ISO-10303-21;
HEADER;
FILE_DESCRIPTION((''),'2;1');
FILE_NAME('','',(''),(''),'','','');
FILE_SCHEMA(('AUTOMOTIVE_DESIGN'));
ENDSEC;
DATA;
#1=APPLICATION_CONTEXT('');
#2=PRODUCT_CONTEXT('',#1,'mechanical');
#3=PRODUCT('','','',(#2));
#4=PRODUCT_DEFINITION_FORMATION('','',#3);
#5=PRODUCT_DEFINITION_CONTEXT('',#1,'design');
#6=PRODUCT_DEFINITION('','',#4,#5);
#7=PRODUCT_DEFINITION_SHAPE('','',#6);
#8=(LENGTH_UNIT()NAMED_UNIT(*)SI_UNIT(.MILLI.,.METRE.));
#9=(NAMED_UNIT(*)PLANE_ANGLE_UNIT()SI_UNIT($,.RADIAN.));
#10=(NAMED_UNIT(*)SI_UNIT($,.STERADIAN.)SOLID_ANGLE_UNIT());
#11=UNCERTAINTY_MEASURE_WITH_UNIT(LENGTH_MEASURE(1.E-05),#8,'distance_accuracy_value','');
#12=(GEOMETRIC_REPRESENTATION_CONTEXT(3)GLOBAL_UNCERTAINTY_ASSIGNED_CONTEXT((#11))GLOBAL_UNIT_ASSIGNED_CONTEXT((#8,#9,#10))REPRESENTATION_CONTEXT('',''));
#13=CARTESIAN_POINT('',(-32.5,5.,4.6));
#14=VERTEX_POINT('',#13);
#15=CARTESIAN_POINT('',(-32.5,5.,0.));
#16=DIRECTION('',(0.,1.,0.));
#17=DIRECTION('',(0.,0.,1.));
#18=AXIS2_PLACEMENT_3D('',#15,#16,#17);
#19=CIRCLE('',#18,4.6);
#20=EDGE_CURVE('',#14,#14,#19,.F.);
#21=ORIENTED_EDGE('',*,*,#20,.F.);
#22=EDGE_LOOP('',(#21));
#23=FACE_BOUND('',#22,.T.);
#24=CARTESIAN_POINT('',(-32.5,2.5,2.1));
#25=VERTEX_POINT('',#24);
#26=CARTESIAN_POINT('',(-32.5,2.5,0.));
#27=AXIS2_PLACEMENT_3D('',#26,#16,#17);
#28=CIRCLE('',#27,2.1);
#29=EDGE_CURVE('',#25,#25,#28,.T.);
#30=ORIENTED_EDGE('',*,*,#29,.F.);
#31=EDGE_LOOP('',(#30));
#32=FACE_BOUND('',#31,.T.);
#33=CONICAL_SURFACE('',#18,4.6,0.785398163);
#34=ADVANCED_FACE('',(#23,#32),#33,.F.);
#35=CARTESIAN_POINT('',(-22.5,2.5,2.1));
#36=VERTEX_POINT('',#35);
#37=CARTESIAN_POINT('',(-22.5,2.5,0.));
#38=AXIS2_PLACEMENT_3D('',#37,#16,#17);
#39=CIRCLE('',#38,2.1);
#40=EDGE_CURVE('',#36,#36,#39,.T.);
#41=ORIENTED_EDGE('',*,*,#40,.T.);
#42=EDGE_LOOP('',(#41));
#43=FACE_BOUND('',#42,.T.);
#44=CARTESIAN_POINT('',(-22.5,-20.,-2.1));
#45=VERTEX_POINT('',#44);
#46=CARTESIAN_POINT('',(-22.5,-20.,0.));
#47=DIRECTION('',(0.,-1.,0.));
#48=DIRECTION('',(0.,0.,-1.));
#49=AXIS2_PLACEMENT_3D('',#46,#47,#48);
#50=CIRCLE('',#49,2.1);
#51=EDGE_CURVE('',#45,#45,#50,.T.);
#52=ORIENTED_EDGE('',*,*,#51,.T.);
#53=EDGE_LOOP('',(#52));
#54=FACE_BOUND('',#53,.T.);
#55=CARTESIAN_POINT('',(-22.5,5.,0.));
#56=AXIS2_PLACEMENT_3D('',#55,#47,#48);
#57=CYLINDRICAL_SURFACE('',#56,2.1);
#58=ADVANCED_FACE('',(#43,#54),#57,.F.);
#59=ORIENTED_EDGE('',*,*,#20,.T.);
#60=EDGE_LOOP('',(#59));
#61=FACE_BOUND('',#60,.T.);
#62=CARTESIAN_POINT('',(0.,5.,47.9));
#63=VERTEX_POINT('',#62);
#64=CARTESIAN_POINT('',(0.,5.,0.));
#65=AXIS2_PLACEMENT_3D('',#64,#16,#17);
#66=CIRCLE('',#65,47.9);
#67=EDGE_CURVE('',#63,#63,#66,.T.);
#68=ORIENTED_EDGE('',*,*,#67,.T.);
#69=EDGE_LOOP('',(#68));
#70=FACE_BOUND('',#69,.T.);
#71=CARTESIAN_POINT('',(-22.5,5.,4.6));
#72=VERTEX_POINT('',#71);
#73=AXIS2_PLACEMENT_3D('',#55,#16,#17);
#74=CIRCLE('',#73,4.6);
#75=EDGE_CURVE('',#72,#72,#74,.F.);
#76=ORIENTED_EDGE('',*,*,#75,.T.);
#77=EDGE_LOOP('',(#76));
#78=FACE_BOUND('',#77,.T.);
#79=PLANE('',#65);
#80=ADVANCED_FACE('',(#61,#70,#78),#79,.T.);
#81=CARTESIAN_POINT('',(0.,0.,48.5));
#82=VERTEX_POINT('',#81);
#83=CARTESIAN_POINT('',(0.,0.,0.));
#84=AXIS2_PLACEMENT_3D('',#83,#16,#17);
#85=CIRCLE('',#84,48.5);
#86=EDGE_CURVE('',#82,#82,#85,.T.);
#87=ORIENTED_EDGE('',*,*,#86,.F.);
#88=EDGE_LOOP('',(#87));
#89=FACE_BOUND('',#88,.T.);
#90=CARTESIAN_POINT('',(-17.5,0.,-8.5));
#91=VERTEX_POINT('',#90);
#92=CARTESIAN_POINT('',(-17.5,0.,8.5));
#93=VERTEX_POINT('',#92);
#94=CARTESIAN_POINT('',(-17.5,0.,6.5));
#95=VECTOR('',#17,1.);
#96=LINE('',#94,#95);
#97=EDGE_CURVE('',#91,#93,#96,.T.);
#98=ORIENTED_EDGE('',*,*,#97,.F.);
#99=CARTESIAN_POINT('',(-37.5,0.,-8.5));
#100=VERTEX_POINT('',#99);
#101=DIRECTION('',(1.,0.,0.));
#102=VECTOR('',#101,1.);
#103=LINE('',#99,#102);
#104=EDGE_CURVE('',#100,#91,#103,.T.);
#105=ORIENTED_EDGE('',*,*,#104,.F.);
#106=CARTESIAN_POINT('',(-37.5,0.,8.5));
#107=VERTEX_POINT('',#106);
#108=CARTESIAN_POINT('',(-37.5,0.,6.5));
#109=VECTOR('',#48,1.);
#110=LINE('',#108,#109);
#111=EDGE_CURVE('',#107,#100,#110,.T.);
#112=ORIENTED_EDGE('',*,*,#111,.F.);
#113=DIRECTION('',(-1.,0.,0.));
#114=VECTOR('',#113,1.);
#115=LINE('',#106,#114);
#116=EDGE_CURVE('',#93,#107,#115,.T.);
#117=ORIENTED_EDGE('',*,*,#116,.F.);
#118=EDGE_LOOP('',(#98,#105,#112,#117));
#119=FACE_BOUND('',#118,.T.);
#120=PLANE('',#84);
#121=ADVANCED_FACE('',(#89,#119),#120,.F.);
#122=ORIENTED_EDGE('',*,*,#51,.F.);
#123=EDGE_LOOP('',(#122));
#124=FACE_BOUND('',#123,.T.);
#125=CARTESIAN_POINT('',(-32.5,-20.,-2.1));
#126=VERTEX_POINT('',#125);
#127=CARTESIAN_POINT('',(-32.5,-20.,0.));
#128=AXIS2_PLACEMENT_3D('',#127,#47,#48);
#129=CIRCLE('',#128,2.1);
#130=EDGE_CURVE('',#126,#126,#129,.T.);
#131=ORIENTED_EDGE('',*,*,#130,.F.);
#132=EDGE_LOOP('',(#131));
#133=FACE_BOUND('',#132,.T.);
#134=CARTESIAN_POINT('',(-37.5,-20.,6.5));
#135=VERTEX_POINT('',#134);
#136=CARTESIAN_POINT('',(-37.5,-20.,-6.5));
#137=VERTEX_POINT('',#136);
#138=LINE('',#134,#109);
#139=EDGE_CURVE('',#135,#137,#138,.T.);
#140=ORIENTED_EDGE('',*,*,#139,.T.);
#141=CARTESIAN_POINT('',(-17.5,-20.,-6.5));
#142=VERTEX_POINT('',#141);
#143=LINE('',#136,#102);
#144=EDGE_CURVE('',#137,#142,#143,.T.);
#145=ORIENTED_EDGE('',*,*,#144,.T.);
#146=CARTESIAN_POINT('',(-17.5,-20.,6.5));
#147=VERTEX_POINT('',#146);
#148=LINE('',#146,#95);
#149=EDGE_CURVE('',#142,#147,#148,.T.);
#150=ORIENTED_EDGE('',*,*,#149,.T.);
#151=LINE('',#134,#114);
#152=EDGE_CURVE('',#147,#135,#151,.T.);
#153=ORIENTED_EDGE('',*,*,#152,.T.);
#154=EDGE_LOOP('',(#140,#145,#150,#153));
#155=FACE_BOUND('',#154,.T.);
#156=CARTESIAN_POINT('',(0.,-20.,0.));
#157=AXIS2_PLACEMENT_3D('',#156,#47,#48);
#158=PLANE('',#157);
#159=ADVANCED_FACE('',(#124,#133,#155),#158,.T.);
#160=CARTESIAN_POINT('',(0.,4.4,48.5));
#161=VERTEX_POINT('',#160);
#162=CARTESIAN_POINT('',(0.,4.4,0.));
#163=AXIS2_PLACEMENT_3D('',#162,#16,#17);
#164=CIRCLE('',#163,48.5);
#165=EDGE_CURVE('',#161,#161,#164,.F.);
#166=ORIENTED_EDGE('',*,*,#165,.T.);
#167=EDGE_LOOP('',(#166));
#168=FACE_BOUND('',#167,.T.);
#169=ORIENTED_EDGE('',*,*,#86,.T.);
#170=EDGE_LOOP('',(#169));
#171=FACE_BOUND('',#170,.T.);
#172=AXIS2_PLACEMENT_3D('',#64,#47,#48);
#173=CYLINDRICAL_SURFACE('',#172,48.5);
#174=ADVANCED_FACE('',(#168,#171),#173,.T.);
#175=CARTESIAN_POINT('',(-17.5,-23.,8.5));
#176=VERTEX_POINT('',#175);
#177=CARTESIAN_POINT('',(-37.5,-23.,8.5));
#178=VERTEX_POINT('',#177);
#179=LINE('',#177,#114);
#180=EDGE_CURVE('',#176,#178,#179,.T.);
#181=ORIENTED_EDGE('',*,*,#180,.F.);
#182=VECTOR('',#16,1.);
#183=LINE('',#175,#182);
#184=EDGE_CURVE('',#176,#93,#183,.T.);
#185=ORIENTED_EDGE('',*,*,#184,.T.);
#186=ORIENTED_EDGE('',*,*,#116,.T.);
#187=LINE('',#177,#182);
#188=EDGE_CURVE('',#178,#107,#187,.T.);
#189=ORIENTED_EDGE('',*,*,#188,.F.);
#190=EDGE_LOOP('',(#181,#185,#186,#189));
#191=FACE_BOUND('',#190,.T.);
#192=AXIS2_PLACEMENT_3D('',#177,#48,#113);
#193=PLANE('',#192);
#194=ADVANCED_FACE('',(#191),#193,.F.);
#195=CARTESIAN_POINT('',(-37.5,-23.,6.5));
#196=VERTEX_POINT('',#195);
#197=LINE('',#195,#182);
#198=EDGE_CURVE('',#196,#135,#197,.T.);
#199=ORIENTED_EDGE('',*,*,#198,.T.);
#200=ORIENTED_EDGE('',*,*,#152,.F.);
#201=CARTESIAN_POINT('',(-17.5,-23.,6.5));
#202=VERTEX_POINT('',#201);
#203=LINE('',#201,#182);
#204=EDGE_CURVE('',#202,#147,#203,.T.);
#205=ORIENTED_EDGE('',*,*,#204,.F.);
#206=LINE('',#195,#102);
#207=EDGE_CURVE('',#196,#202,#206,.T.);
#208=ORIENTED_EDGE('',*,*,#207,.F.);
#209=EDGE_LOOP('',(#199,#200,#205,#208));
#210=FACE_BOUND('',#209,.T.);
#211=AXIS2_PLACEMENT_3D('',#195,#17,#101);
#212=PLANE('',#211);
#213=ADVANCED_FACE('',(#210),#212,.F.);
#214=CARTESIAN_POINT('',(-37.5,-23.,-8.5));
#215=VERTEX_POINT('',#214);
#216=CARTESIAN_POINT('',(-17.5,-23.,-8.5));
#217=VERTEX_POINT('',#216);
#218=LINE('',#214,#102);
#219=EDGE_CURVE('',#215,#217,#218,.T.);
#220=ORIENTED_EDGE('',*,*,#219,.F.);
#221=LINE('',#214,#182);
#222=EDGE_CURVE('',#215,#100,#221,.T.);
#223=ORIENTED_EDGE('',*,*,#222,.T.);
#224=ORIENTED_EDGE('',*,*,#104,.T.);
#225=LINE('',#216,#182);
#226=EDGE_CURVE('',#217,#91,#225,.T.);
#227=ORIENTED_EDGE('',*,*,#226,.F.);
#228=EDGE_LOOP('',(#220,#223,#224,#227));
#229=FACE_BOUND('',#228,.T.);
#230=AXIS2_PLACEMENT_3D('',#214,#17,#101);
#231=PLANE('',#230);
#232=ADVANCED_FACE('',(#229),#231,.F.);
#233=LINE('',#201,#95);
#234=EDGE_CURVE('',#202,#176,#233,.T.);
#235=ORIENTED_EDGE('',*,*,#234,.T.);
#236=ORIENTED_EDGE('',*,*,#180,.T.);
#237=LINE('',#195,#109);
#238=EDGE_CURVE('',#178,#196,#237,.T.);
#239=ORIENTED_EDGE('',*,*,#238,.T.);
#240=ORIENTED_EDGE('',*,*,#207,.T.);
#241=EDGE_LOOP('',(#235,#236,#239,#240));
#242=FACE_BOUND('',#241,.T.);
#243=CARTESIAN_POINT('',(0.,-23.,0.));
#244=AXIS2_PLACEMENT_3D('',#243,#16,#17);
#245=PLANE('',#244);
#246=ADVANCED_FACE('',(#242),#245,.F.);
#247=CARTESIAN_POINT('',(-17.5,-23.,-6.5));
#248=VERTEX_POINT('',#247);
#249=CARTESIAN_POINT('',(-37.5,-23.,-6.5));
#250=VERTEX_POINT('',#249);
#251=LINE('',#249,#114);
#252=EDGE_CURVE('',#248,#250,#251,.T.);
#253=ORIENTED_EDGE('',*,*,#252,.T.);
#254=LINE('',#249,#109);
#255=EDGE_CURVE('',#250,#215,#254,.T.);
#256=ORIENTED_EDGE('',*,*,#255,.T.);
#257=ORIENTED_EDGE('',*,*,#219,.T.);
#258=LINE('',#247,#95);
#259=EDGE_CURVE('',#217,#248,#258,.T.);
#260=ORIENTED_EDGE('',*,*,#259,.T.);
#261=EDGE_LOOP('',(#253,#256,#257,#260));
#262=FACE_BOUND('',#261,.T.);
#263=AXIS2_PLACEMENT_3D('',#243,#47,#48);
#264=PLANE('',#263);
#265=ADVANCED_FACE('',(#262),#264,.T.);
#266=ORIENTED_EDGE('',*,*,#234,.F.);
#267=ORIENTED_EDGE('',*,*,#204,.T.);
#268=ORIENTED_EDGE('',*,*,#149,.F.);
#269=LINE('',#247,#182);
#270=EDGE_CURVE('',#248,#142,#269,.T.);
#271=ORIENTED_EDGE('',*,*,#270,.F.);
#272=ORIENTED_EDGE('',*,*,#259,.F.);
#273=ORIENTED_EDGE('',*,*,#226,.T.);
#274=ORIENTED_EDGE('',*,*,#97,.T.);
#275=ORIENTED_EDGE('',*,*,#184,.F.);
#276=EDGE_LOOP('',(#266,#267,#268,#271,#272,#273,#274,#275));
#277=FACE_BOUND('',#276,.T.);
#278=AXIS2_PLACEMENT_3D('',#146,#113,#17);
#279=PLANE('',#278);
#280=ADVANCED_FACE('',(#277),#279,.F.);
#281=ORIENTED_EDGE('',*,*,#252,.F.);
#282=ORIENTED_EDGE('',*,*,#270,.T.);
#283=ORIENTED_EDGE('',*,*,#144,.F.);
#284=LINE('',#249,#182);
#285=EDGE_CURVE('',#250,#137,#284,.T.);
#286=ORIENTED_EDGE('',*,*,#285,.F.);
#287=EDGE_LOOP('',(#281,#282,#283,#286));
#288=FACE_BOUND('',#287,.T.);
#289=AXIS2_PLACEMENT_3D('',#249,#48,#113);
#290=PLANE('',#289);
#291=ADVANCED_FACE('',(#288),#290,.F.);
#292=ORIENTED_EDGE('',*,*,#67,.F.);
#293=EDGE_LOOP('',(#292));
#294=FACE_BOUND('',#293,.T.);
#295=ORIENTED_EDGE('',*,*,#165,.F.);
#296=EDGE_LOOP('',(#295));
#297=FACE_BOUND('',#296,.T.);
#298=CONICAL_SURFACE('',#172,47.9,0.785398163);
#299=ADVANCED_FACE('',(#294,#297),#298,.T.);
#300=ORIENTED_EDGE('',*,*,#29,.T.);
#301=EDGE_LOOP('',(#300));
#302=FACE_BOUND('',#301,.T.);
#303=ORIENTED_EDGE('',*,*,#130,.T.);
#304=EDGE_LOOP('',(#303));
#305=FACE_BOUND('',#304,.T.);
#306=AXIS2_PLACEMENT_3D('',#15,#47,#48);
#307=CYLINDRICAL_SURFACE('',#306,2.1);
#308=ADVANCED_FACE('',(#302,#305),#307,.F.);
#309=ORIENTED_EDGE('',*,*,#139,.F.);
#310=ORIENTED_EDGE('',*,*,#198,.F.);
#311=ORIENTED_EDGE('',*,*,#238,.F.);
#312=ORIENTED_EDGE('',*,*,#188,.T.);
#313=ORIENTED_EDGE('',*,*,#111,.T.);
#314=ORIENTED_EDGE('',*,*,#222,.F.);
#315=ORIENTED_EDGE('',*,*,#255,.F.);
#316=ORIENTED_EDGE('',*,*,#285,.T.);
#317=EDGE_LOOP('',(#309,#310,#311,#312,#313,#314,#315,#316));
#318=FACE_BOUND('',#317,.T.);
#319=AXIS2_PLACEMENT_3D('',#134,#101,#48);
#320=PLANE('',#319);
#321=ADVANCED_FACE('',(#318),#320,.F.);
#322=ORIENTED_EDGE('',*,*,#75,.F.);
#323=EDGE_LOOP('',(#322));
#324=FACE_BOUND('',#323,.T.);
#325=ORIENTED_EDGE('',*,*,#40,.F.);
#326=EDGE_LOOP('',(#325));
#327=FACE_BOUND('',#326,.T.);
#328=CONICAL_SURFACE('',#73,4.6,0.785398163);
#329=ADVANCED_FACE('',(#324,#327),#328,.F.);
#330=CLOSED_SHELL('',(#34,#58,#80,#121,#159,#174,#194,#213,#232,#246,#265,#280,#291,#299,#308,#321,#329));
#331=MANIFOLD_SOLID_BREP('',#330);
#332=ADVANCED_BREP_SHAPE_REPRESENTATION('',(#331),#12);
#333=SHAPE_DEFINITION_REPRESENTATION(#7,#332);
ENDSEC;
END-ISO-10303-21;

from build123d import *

# Parameters (mm, degrees)
SKIZZE1_R                       = 48.5
AUFSATZ_LINEAR_AUSTRAGEN1_DEPTH = 5
SKIZZE2_W                       = 20
SKIZZE2_H                       = 13
AUFSATZ_LINEAR_AUSTRAGEN2_DEPTH = 20
SKIZZE3_W                       = 20
SKIZZE3_H                       = 2
AUFSATZ_LINEAR_AUSTRAGEN3_DEPTH = 23
SKIZZE4_R                       = 2.1
SCHNITT_LINEAR_AUSTRAGEN1_DEPTH = 74.003424577
FASE4_SIZE                      = 0.6
FASE6_SIZE                      = 2.5


with BuildPart() as part:
    # Skizze1 → Aufsatz-Linear austragen1 (new body)
    with BuildSketch(Plane(origin=(0, 0, 0), x_dir=(1, 0, 0), z_dir=(0, 1, 0))):
        with Locations(Location((0, 0, 0), (0, 0, 270))):
            Circle(SKIZZE1_R)
    extrude(amount=AUFSATZ_LINEAR_AUSTRAGEN1_DEPTH)

    # Skizze2 → Aufsatz-Linear austragen2 (add)
    with BuildSketch(Plane.XZ):
        with Locations((-27.5, 0)):
            Rectangle(SKIZZE2_W, SKIZZE2_H)
    extrude(amount=AUFSATZ_LINEAR_AUSTRAGEN2_DEPTH)

    # Skizze3 → Aufsatz-Linear austragen3 (add)
    with BuildSketch(Plane.XZ):
        with Locations((-27.5, 7.5)):
            Rectangle(SKIZZE3_W, SKIZZE3_H)
        with Locations((-27.5, -7.5)):
            Rectangle(SKIZZE3_W, SKIZZE3_H)
    extrude(amount=AUFSATZ_LINEAR_AUSTRAGEN3_DEPTH)

    # Skizze4 → Schnitt-Linear austragen1 (cut, through all)
    with BuildSketch(Plane.XZ.offset(20)):
        with Locations(Location((-32.5, 0, 0), (0, 0, 270))):
            Circle(SKIZZE4_R)
        with Locations(Location((-22.5, 0, 0), (0, 0, 270))):
            Circle(SKIZZE4_R)
    extrude(amount=-SCHNITT_LINEAR_AUSTRAGEN1_DEPTH, mode=Mode.SUBTRACT)

    # Fase4
    fase4_edges = [part.edges().sort_by_distance(p)[0] for p in [
        (0, 5, -48.5),
    ]]
    chamfer(fase4_edges, length=FASE4_SIZE)

    # Fase6
    fase6_edges = [part.edges().sort_by_distance(p)[0] for p in [
        (-32.5, 5, 2.1),
        (-22.5, 5, 2.1),
    ]]
    chamfer(fase6_edges, length=FASE6_SIZE)


solid = part.part
